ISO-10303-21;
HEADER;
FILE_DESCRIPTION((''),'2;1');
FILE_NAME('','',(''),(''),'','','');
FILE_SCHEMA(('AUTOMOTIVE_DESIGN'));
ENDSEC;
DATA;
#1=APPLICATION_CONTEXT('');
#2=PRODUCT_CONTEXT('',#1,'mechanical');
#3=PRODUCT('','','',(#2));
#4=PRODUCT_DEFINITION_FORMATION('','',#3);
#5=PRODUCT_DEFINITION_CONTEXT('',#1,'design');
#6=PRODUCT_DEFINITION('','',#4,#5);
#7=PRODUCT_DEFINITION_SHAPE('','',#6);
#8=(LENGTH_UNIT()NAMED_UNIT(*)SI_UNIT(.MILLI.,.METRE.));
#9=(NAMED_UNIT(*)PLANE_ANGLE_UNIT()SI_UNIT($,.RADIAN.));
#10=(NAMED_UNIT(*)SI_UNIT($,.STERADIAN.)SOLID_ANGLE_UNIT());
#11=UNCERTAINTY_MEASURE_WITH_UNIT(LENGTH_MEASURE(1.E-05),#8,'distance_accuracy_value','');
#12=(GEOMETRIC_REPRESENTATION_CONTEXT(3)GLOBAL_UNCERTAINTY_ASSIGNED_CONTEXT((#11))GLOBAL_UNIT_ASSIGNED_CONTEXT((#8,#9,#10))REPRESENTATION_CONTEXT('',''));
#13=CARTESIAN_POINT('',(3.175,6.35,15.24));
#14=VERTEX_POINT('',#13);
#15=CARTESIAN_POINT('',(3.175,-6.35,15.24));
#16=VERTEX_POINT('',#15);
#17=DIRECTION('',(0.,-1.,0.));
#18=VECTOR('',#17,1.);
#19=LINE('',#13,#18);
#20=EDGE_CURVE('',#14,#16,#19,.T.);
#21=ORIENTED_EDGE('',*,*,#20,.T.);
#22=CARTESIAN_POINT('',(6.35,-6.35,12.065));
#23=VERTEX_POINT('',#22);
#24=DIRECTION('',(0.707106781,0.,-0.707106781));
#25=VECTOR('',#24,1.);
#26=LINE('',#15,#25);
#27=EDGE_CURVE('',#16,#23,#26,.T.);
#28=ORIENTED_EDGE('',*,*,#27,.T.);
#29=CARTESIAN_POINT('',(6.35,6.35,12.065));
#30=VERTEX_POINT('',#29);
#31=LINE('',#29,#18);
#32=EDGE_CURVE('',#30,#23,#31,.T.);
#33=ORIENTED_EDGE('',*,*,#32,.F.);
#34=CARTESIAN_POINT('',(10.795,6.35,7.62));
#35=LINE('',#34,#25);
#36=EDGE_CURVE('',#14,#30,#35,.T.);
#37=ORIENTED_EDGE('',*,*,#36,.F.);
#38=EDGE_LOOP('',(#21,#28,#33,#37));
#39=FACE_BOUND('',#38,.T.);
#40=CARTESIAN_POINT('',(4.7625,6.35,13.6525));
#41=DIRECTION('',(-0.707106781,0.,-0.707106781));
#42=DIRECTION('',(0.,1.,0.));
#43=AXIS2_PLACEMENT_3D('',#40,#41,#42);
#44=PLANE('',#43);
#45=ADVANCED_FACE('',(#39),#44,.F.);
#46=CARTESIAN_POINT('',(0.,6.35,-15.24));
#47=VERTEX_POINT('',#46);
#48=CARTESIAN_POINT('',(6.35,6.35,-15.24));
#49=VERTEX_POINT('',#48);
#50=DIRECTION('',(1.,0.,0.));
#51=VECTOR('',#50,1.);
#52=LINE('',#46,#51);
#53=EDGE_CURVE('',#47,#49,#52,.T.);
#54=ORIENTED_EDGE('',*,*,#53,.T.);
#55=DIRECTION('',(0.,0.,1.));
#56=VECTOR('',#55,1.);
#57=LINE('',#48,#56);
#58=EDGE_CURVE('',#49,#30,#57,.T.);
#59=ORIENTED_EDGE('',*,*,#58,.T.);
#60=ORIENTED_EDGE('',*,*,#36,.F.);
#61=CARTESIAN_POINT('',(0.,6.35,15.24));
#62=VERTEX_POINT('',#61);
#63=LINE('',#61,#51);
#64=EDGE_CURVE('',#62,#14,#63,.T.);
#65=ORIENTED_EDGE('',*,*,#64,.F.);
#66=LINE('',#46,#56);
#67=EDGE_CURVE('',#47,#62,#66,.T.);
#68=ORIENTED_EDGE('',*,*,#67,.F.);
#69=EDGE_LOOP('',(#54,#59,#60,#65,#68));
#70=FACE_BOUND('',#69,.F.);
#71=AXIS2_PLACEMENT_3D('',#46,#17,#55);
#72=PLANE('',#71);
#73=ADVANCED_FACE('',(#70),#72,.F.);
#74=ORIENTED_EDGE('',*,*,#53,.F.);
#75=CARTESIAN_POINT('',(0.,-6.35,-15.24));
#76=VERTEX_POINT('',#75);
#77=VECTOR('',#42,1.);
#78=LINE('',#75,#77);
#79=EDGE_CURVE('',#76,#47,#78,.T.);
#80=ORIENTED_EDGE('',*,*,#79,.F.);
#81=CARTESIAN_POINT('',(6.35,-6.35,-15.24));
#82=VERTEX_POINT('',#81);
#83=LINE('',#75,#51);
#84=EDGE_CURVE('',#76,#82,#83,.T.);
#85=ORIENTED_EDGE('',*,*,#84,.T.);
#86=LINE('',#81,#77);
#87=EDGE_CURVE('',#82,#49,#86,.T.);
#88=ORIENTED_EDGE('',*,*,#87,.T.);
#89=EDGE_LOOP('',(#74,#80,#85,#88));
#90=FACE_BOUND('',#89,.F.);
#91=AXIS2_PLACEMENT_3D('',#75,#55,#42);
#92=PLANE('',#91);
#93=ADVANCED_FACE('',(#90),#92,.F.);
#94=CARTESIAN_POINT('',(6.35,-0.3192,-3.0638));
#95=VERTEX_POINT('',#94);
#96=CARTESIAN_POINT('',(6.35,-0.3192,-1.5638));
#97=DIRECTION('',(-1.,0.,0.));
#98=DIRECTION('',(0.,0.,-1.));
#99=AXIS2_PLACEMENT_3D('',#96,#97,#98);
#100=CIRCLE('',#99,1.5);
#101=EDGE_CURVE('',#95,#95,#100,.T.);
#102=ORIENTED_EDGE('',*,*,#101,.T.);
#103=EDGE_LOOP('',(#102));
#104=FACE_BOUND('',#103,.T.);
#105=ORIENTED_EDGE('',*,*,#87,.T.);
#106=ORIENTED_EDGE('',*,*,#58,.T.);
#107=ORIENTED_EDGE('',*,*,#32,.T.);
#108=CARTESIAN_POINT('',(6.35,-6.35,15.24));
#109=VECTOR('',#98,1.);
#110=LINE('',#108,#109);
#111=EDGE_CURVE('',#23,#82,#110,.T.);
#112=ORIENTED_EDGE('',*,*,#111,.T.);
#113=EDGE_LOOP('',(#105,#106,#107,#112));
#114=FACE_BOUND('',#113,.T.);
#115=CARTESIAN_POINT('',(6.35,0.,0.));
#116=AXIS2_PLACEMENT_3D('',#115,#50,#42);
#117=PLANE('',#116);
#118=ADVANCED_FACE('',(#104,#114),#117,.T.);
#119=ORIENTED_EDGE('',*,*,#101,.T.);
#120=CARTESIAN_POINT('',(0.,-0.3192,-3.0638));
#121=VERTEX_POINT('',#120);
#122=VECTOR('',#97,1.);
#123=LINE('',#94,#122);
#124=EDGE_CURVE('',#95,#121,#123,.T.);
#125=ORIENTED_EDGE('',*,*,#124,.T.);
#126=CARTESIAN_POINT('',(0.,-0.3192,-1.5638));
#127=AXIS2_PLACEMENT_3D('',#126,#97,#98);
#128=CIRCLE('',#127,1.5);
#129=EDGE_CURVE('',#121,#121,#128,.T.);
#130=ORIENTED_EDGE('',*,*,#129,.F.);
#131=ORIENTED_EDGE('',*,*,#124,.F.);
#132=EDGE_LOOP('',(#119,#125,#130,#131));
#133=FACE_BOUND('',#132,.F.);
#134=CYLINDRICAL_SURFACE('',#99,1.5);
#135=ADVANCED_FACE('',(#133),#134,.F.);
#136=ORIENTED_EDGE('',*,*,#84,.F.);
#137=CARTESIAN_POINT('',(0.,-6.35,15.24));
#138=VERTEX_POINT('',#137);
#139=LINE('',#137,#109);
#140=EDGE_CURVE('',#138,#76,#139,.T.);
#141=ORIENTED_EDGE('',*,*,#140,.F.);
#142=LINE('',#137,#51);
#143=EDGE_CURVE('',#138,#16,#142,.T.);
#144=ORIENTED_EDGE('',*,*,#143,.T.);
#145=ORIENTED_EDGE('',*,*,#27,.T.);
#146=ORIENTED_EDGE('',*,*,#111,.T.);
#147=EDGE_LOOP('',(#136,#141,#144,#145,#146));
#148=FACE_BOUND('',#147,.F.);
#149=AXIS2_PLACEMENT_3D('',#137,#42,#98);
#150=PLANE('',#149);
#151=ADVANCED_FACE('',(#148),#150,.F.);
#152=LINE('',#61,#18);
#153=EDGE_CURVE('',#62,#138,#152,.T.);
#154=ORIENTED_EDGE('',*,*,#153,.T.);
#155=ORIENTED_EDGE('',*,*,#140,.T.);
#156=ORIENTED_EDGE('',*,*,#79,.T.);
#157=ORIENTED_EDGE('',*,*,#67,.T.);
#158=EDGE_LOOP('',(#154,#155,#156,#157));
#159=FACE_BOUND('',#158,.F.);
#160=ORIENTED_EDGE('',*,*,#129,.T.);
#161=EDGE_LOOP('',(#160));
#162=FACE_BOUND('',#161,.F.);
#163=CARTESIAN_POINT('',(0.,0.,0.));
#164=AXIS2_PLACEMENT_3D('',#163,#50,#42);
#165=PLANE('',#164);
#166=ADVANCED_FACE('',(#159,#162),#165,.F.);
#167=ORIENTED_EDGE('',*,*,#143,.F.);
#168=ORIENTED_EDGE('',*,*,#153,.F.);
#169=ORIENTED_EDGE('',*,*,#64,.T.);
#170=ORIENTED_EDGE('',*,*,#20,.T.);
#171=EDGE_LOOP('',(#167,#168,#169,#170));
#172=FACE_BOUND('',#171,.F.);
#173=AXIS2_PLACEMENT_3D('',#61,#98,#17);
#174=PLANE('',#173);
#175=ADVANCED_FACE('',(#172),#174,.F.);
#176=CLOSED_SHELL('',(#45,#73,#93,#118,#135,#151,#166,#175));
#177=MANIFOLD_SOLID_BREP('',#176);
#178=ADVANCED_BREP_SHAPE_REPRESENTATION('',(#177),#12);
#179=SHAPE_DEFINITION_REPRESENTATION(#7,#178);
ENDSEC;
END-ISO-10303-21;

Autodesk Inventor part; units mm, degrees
ref_plane "YZ Plane" through (0, 0, 0) normal (1, 0, 0) x (0, 1, 0)
ref_plane "XZ Plane" through (0, 0, 0) normal (0, 1, 0) x (-1, 0, 0)
ref_plane "XY Plane" through (0, 0, 0) normal (0, 0, 1) x (1, 0, 0)
sketch "Sketch1" plane through (0, 0, 0) normal (1, 0, 0) x (0, 1, 0)
  line L0 (6.35, 15.24) -> (-6.35, 15.24)
  line L1 (-6.35, 15.24) -> (-6.35, -15.24)
  line L2 (-6.35, -15.24) -> (6.35, -15.24)
  line L3 (6.35, -15.24) -> (6.35, 15.24)
  line L4 (6.35, 15.24) -> (-6.35, -15.24) construction
  line L5 (-6.35, 15.24) -> (6.35, -15.24) construction
  point P0 (0, 0)
  dimension "d0" = 12.7
  dimension "d1" = 30.48
extrude "Extrusion1" add sketch "Sketch1" along normal blind 6.35
chamfer "Chamfer1" distance 3.175 angle 45 1 edges at (6.35, 0, 15.24)
sketch "Sketch2" plane through (6.35, 0, 0) normal (1, 0, 0) x (0, 0, -1)
  point P0 (0, 0)
  point P1 (1.5638, -0.3192)
hole "Hole1" at (6.35, -0.3192, -1.5638) direction (-1, 0, 0) diameter 3 end through all
properties part number "Cover_attachment" material "Steel, Mild"
